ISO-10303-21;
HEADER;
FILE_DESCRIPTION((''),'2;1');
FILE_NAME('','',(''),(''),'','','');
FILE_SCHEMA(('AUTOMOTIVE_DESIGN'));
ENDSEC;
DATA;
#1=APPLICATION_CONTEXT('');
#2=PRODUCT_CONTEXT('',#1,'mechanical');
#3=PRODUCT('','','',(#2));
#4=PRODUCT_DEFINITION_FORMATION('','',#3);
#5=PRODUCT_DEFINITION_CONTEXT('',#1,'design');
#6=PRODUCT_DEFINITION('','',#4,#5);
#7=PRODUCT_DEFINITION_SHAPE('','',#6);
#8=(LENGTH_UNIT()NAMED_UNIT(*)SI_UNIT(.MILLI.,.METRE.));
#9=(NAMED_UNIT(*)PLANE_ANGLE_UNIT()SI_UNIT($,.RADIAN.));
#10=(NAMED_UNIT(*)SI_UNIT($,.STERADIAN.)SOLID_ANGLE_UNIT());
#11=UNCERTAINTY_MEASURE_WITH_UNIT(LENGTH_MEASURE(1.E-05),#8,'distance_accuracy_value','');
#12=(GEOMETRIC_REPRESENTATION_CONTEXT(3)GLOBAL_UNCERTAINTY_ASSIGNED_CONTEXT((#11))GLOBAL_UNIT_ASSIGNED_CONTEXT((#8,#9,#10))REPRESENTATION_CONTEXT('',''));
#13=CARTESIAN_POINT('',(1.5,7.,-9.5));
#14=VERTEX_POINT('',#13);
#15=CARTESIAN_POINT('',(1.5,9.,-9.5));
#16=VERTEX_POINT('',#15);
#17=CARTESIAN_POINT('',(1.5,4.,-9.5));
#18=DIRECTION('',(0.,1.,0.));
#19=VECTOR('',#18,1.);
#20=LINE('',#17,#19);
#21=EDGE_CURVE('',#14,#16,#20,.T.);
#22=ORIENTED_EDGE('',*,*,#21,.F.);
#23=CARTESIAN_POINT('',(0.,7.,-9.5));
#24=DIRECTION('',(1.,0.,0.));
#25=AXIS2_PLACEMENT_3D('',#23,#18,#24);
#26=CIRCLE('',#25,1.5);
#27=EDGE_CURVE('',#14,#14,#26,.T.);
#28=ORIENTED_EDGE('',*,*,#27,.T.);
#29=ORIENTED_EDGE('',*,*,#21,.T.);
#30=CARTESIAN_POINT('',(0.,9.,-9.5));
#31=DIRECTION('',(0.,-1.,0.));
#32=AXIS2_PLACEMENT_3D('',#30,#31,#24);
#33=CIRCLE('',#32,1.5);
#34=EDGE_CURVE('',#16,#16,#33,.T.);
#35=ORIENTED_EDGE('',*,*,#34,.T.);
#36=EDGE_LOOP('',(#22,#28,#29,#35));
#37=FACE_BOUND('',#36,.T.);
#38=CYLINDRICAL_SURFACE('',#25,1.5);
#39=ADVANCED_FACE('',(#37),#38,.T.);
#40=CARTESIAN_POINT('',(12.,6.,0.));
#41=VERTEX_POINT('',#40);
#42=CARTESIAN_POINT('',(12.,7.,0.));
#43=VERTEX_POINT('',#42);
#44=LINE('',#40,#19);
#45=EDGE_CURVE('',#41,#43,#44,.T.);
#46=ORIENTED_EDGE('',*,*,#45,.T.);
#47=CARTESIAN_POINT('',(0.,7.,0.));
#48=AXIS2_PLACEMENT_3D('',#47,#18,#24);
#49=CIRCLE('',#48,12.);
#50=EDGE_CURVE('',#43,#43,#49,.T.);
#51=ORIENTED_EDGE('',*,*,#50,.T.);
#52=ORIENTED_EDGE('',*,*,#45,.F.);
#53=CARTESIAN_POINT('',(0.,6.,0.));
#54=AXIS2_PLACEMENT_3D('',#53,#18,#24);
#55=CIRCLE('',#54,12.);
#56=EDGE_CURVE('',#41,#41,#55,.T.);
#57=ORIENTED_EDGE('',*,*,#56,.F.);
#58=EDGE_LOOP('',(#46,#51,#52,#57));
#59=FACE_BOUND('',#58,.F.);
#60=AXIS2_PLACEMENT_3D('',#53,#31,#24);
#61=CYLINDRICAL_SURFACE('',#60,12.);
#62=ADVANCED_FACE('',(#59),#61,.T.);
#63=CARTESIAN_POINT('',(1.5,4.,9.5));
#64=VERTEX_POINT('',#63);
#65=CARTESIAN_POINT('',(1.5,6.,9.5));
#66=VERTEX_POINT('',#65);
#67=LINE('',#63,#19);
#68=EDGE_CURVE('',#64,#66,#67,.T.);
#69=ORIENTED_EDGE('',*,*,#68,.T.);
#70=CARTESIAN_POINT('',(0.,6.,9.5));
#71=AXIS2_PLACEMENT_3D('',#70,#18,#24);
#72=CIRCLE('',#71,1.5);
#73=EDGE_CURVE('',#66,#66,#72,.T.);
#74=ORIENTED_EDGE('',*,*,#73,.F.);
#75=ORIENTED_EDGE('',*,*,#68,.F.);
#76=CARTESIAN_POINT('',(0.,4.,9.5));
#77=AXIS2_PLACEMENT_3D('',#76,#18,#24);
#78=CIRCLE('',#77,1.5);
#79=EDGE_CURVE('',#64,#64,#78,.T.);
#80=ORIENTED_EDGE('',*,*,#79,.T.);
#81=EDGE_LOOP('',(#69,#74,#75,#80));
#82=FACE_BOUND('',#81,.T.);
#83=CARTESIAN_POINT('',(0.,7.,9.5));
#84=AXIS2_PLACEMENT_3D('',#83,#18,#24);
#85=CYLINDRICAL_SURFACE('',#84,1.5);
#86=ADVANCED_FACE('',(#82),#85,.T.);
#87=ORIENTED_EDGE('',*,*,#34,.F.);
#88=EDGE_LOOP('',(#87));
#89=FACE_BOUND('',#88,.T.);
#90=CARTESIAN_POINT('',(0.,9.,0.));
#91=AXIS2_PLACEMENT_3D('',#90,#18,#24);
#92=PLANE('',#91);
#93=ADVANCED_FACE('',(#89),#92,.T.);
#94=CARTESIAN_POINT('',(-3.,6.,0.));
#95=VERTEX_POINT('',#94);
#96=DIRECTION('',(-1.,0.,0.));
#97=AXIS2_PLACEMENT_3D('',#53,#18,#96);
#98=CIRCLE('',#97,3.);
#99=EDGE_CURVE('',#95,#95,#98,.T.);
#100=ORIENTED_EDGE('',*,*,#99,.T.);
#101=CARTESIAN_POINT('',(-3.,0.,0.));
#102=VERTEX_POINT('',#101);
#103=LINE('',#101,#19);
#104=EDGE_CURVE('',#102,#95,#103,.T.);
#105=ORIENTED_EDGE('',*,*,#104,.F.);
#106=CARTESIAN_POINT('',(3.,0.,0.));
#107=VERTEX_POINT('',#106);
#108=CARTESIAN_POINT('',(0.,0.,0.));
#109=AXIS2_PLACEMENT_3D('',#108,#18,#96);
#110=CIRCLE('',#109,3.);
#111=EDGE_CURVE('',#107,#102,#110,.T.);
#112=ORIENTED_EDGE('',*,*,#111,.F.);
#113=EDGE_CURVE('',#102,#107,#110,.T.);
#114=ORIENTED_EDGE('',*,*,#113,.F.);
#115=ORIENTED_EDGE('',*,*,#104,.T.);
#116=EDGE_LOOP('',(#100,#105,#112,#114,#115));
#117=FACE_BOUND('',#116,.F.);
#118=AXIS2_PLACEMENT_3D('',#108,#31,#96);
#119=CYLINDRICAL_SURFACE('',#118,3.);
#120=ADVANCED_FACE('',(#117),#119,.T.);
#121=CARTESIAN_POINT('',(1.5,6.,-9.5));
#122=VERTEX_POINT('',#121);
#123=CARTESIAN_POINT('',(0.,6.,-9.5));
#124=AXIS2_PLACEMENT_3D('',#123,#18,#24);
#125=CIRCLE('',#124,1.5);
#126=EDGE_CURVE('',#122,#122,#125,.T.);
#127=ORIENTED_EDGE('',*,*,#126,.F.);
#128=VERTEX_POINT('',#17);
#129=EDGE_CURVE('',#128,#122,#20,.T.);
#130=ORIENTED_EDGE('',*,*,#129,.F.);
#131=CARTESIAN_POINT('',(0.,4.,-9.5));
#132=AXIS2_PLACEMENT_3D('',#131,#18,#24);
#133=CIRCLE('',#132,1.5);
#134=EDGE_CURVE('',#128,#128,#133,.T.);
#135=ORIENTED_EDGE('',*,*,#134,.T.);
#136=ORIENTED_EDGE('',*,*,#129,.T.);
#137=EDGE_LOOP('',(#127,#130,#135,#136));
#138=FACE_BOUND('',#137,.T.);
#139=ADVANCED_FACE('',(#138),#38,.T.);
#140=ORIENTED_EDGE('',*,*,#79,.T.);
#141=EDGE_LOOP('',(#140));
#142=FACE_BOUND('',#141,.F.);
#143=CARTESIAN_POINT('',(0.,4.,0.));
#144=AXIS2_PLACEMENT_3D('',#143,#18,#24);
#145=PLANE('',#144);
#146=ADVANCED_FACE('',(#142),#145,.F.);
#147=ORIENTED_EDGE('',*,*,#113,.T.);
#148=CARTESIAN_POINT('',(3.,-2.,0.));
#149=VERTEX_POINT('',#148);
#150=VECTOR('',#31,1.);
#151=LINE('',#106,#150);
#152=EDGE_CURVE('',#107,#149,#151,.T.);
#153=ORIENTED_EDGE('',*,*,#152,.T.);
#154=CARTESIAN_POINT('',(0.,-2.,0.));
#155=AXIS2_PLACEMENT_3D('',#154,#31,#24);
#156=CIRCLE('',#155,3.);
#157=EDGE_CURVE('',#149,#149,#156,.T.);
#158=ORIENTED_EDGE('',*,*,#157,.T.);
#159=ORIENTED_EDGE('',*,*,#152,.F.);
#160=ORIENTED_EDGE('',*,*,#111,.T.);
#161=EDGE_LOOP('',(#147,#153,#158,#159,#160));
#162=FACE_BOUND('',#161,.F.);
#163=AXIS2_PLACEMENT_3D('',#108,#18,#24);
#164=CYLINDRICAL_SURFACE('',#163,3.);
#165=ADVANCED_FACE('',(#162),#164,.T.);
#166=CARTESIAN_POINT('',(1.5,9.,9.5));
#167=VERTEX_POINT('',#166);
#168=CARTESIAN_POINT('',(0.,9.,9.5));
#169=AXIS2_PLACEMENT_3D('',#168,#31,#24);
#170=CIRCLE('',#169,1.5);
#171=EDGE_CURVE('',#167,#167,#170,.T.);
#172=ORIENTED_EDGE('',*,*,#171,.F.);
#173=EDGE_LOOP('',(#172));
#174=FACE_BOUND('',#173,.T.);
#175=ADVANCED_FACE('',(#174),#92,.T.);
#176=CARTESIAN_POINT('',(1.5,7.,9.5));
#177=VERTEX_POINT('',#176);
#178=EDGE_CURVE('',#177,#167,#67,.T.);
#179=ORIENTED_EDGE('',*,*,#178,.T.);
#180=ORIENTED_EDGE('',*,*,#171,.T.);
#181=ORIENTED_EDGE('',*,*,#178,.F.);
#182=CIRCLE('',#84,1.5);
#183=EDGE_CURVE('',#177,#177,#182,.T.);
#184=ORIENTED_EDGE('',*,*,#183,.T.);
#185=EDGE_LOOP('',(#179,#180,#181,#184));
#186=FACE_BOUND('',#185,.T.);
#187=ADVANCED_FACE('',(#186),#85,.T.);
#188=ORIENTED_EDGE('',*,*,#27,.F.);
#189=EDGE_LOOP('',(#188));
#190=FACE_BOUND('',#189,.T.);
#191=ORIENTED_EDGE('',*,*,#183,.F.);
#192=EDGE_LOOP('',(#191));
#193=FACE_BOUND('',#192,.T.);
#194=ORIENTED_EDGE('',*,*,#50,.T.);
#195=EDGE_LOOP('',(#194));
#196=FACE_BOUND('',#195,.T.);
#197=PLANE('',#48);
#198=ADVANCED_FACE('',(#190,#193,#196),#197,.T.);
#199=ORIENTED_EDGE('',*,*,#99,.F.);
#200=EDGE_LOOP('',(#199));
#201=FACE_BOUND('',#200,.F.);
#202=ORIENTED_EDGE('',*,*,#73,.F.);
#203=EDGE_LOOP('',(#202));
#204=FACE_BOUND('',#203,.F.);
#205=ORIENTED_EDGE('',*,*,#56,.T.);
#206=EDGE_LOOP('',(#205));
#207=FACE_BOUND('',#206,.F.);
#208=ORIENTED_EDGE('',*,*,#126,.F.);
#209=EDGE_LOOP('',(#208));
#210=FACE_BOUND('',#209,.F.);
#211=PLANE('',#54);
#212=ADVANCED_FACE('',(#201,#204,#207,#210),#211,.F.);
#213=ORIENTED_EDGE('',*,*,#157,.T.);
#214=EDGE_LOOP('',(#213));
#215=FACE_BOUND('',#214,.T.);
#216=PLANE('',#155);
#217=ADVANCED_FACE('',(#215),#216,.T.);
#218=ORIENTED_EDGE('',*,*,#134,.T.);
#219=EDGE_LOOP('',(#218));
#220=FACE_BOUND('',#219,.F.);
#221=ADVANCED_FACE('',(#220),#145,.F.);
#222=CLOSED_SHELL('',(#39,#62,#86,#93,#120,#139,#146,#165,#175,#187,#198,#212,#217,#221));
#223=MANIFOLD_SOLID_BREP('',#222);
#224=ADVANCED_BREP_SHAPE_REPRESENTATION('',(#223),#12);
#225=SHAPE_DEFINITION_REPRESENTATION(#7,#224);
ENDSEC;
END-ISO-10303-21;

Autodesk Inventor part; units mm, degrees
ref_plane "YZ Plane" through (0, 0, 0) normal (1, 0, 0) x (0, 1, 0)
ref_plane "XZ Plane" through (0, 0, 0) normal (0, 1, 0) x (-1, 0, 0)
ref_plane "XY Plane" through (0, 0, 0) normal (0, 0, 1) x (1, 0, 0)
sketch "Sketch1" plane through (0, 0, 0) normal (0, 1, 0) x (-1, 0, 0)
  circle A0 centre (0, 0) radius 3
  dimension "d0" = 6
extrude "Extrusion1" add sketch "Sketch1" along normal blind 6
sketch "Sketch2" plane through (0, 6, 0) normal (0, 1, 0) x (1, 0, 0)
  circle A0 centre (0, 0) radius 3 projected
  circle A1 centre (0, 0) radius 12
  dimension "d3" = 24
extrude "Extrusion2" add sketch "Sketch2" along normal blind 1 contours A0 | A1
sketch "Sketch3" plane through (0, 7, 0) normal (0, 1, 0) x (1, 0, 0)
  circle A0 centre (0, 0) radius 12 projected
  line L0 (0, 0) -> (0, -9.5)
  line L1 (0, -9.5) -> (0, 9.5)
  circle A1 centre (0, -9.5) radius 1.5
  circle A2 centre (0, 9.5) radius 1.5
  dimension "d6" = 9.5
  dimension "d7" = 19
  dimension "d8" = 3
  dimension "d9" = 3
extrude "Extrusion3" add sketch "Sketch3" along normal blind 2 and the other way blind 3 contours A1 | A2
sketch "Sketch4" plane through (0, 0, 0) normal (0, -1, 0) x (1, 0, 0)
  circle A0 centre (0, 0) radius 3 projected
extrude "Extrusion4" add sketch "Sketch4" along normal blind 2
properties part number "EE Wheel"
